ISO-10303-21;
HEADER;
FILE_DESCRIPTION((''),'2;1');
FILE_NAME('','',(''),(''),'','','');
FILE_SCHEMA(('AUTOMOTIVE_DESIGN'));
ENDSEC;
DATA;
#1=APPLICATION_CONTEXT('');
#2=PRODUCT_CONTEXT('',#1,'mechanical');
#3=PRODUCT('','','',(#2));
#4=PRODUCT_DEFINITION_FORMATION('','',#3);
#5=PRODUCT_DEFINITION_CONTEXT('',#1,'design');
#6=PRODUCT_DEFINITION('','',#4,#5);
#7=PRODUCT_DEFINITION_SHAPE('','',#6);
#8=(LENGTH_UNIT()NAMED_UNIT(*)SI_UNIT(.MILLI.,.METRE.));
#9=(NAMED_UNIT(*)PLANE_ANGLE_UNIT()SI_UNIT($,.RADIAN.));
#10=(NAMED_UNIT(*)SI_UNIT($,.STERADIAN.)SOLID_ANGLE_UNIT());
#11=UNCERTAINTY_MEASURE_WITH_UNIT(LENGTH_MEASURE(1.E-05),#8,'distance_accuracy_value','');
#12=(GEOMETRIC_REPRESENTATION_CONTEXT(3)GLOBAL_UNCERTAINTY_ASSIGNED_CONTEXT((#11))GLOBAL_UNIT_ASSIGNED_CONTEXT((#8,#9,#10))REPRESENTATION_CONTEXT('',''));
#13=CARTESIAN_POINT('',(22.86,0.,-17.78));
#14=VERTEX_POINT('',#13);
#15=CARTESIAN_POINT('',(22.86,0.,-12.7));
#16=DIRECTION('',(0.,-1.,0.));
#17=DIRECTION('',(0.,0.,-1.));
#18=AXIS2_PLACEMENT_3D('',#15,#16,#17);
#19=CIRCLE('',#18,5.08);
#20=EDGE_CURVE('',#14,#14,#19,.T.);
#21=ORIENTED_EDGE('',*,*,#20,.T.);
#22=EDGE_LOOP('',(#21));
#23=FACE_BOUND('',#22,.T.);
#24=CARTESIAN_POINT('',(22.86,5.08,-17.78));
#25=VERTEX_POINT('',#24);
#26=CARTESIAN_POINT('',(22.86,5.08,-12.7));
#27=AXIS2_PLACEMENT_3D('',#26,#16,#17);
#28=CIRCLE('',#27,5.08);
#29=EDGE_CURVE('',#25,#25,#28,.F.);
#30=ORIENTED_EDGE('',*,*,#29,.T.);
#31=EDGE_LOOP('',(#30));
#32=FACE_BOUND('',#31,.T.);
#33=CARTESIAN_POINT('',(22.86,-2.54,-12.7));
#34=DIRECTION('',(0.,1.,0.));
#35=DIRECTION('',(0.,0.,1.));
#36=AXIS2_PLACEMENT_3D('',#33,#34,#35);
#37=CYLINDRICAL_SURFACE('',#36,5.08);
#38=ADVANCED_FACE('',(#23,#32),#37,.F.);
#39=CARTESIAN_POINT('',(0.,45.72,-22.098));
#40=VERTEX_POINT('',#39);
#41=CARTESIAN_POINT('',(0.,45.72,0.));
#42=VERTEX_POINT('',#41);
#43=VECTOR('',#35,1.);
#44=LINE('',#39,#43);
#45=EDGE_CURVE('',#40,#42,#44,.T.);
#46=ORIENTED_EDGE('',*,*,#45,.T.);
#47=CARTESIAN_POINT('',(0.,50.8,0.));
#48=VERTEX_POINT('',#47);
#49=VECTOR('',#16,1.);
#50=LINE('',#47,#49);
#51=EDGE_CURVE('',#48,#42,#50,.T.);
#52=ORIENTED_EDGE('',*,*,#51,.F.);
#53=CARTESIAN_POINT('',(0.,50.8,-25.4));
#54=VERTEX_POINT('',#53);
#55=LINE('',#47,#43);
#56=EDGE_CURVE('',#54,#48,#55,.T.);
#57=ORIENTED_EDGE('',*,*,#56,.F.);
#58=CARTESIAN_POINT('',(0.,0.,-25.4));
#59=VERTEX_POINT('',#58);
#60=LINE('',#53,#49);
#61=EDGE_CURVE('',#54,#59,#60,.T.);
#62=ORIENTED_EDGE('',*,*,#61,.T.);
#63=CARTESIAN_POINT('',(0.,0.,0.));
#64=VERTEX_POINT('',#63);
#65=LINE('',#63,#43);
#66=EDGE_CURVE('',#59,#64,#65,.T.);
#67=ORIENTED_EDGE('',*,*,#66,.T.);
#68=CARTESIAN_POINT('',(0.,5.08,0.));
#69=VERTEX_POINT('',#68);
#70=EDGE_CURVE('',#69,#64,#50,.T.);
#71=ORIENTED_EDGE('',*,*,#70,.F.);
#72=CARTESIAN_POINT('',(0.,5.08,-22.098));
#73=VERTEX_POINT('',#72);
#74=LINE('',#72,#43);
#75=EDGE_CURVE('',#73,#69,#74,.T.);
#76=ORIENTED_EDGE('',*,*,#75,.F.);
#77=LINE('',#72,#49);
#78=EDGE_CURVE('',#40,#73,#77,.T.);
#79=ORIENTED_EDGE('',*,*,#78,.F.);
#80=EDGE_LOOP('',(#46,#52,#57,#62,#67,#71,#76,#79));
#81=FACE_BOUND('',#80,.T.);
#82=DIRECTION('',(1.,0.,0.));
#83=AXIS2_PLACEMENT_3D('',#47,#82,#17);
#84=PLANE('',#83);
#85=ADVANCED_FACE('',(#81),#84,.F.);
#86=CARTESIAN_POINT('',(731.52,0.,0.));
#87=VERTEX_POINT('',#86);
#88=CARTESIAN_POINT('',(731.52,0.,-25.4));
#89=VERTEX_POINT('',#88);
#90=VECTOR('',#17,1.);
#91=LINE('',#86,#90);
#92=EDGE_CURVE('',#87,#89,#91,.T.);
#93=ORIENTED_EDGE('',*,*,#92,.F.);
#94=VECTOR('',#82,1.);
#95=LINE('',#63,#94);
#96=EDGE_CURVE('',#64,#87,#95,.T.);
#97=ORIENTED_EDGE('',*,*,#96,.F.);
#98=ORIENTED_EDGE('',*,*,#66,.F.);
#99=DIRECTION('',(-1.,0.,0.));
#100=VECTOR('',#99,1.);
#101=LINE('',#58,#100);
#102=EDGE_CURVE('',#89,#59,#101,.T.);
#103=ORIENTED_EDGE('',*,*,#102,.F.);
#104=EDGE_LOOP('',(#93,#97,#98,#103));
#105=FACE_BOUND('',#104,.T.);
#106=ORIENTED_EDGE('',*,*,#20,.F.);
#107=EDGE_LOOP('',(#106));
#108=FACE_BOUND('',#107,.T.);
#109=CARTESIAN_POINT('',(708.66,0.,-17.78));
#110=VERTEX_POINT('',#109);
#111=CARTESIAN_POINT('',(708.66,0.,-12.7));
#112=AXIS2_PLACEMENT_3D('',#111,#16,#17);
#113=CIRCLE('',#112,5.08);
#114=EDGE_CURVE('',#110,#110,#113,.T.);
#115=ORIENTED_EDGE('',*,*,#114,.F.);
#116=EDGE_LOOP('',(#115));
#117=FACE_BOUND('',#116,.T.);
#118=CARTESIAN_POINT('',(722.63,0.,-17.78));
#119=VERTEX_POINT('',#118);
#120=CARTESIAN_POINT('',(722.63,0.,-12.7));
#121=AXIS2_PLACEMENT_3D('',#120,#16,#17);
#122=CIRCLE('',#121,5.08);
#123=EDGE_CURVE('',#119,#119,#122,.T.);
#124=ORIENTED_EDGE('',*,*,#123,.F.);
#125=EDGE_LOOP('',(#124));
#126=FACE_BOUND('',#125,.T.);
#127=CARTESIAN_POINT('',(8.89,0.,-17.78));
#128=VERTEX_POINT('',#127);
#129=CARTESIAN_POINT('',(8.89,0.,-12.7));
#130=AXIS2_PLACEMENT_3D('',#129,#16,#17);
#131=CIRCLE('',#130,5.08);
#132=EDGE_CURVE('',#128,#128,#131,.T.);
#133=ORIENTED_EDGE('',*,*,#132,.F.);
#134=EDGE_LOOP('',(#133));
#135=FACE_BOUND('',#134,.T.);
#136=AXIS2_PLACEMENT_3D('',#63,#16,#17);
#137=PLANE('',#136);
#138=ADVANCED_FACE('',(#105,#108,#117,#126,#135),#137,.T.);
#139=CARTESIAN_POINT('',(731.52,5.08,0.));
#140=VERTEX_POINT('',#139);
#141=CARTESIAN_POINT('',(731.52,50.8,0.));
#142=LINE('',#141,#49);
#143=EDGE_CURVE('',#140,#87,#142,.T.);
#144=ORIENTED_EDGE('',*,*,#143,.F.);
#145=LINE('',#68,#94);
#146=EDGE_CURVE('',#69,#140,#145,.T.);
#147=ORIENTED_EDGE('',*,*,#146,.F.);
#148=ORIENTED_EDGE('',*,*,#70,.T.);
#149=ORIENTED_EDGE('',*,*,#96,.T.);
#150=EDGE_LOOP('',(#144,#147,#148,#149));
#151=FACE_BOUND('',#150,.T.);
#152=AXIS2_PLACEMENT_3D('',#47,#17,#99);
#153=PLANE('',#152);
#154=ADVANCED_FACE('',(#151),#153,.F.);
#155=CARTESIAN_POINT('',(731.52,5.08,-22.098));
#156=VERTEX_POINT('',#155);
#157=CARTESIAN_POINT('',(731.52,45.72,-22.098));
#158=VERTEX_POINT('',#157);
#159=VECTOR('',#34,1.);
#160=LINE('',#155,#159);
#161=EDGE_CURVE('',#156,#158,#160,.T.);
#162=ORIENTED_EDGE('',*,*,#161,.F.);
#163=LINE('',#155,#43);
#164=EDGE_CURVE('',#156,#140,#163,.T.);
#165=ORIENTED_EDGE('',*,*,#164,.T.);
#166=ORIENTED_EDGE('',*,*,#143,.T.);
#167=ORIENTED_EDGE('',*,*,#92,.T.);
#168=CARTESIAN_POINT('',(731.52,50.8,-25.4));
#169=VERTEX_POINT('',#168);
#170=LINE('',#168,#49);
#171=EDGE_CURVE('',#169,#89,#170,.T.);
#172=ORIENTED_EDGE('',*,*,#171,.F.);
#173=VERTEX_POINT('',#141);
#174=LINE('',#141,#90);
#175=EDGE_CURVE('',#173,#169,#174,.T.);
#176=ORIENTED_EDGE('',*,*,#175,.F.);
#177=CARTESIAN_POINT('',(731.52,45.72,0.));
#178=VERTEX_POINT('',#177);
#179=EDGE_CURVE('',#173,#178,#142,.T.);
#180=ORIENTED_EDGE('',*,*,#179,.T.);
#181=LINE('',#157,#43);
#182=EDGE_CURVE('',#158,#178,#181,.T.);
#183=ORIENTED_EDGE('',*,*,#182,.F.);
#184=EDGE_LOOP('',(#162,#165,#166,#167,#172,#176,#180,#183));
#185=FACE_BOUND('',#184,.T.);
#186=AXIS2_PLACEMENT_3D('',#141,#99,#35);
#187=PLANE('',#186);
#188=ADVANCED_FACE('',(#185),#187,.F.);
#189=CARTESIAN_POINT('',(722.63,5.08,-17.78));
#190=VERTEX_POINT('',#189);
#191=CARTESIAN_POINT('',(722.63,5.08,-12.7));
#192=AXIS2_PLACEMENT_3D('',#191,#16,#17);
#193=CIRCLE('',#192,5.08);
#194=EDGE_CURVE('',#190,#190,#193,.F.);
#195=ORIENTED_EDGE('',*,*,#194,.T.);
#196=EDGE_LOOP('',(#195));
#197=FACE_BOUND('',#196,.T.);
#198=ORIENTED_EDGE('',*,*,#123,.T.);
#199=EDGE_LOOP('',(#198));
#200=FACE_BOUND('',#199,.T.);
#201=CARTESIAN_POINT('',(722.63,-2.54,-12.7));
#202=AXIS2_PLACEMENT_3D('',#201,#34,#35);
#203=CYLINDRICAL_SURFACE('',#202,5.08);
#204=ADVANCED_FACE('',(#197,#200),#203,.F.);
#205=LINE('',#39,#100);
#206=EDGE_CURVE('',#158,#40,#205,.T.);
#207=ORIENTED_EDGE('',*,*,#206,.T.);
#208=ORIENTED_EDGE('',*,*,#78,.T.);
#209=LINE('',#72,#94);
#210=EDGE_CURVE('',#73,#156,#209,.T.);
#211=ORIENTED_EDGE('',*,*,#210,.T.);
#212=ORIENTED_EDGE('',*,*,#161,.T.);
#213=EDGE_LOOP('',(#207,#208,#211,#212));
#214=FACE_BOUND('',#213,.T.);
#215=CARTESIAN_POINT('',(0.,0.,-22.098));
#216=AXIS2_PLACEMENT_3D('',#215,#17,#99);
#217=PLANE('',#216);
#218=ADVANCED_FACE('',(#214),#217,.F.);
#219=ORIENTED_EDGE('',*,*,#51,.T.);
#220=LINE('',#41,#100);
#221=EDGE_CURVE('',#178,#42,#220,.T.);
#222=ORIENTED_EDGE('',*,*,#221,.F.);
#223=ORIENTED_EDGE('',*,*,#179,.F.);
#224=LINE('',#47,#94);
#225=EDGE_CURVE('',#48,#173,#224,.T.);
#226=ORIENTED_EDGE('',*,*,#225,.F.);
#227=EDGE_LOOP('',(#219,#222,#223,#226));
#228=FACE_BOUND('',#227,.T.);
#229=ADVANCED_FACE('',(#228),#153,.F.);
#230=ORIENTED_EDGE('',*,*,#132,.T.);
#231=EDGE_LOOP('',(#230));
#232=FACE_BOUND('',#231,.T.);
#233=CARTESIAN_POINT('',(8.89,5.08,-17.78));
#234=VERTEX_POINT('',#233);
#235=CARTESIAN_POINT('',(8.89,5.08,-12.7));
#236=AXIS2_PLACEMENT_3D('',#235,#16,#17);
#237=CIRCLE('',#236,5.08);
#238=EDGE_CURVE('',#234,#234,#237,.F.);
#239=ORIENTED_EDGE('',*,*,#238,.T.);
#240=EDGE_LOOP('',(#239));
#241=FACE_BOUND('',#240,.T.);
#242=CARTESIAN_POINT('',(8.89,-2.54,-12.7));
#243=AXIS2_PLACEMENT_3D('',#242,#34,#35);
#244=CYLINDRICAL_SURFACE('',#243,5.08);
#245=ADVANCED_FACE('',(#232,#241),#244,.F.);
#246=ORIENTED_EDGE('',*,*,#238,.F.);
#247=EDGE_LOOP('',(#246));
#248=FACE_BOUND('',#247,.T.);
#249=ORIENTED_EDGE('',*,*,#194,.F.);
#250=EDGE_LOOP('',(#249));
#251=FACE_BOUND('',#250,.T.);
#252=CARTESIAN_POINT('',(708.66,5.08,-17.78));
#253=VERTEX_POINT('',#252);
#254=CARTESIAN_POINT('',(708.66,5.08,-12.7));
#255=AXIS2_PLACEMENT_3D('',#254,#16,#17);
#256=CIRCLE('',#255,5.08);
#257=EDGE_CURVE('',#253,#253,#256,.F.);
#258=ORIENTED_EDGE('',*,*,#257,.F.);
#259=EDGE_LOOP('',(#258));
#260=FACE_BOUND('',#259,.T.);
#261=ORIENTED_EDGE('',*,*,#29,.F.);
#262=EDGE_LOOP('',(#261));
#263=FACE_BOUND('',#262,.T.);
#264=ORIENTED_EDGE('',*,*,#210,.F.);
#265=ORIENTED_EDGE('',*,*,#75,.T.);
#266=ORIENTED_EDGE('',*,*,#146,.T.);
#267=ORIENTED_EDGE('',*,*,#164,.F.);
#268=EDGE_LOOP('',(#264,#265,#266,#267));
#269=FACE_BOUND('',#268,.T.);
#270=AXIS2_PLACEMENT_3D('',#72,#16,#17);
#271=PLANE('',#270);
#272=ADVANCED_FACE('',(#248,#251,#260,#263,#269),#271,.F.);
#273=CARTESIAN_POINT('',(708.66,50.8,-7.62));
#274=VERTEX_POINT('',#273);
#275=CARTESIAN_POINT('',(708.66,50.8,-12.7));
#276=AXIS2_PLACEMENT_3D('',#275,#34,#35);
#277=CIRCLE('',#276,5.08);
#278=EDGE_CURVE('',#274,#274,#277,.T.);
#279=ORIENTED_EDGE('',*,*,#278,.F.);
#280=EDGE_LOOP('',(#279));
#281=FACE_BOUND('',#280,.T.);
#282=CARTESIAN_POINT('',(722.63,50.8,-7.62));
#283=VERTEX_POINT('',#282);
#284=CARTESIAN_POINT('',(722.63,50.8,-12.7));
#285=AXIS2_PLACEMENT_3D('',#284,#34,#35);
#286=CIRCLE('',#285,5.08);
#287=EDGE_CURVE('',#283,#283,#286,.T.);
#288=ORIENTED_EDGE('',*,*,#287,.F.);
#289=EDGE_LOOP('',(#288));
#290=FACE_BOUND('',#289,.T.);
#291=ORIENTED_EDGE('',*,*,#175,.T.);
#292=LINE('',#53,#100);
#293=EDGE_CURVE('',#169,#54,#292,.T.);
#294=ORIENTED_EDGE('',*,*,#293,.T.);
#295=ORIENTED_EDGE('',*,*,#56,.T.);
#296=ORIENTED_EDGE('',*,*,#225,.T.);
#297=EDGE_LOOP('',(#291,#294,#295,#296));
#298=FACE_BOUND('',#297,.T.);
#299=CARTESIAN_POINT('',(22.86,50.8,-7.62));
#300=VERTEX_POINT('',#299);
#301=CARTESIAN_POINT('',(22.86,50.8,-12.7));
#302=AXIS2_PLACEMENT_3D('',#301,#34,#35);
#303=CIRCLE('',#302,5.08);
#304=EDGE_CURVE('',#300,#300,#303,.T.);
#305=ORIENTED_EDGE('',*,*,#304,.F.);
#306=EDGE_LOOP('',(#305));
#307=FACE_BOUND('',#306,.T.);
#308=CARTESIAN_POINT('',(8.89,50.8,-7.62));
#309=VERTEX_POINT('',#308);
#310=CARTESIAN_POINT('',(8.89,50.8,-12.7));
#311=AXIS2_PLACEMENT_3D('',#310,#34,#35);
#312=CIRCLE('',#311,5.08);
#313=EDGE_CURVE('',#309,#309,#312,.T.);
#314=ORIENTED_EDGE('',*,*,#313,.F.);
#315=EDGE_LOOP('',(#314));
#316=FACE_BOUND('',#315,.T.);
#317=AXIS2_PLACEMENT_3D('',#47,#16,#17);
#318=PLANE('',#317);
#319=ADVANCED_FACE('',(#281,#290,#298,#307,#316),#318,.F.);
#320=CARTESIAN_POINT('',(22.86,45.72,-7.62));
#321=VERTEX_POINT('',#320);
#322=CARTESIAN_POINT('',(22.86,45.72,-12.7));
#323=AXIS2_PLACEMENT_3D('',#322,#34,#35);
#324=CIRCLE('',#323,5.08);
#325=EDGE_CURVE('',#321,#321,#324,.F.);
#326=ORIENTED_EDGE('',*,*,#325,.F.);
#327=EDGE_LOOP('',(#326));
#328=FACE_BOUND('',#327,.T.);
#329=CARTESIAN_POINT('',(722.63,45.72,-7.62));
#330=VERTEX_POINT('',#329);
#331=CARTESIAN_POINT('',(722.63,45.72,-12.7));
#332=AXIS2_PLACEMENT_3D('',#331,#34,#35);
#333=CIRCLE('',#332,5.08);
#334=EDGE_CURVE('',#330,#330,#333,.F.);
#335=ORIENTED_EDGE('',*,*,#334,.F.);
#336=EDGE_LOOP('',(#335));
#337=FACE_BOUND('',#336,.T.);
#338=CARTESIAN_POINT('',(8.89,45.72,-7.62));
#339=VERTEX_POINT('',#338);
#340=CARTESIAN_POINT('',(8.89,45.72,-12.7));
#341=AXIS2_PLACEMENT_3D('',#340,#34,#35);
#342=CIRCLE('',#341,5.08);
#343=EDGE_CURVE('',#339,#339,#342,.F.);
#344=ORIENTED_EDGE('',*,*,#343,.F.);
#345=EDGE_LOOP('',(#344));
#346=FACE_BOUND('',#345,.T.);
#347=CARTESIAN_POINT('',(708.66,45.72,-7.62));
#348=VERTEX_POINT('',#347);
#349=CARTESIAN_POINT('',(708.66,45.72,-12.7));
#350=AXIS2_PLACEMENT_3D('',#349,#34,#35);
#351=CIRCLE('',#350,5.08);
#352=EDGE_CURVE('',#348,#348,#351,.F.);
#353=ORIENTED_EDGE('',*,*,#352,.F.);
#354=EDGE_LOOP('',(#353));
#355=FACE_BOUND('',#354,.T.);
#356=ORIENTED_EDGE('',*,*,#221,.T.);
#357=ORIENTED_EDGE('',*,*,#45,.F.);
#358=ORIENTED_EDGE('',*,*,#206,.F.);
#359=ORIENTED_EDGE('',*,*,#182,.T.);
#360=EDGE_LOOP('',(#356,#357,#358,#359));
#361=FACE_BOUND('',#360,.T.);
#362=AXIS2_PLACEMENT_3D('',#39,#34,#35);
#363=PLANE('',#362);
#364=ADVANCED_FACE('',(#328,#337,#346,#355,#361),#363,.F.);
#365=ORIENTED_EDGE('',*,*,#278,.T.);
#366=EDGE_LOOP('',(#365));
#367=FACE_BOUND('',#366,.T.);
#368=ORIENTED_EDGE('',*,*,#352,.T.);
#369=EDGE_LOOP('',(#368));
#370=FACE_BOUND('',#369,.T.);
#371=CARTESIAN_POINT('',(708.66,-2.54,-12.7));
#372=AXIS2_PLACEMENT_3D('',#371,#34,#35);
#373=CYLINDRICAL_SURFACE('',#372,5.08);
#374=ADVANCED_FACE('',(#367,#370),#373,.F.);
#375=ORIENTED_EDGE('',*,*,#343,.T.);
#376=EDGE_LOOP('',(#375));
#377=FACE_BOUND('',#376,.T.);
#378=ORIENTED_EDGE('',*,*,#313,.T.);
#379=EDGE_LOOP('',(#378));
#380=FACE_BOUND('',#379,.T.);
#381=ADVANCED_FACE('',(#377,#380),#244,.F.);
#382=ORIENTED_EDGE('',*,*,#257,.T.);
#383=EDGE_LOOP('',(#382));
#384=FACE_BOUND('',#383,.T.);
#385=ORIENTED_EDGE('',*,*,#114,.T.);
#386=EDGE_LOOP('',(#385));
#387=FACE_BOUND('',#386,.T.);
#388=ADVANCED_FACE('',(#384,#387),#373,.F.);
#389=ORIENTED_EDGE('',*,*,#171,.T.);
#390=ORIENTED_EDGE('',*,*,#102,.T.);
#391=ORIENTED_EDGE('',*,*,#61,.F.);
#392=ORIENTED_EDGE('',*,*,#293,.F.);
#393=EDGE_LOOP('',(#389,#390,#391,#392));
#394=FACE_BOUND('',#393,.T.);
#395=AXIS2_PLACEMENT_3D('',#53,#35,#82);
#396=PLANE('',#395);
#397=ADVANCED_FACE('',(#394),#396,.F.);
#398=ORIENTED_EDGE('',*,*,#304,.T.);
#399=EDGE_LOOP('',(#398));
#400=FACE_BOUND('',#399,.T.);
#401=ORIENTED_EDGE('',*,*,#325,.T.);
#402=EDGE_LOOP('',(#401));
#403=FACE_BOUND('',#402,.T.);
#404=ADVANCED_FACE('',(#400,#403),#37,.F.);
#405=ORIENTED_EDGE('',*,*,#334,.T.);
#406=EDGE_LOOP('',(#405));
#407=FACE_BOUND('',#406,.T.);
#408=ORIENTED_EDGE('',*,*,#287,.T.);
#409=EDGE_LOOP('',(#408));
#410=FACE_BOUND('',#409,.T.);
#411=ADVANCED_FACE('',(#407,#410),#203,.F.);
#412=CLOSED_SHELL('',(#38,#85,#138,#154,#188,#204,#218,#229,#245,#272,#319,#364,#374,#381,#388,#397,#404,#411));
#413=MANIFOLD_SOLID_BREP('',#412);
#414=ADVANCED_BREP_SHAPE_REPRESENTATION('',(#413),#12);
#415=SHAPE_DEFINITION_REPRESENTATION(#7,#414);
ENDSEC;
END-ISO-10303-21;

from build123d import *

# Parameters (mm, degrees)
SKETCH1_W           = 731.52
SKETCH1_H           = 25.4
BOSS_EXTRUDE1_DEPTH = 50.8
SKETCH2_R           = 5.08
CUT_EXTRUDE1_DEPTH  = 53.34
SKETCH5_W           = 731.52
SKETCH5_H           = 40.64
CUT_EXTRUDE4_DEPTH  = 22.098


with BuildPart() as part:
    # Sketch1 → Boss-Extrude1 (new body)
    with BuildSketch(Plane(origin=(0, 0, 0), x_dir=(1, 0, 0), z_dir=(0, 1, 0))):
        with Locations((365.76, 12.7)):
            Rectangle(SKETCH1_W, SKETCH1_H)
    extrude(amount=BOSS_EXTRUDE1_DEPTH)

    # Sketch2 → Cut-Extrude1 (cut)
    with BuildSketch(Plane(origin=(0, 50.8, 0), x_dir=(1, 0, 0), z_dir=(0, 1, 0))):
        with Locations(Location((8.89, 12.7, 0), (0, 0, 270))):
            Circle(SKETCH2_R)
        with Locations(Location((22.86, 12.7, 0), (0, 0, 270))):
            Circle(SKETCH2_R)
        with Locations(Location((722.63, 12.7, 0), (0, 0, 270))):
            Circle(SKETCH2_R)
        with Locations(Location((708.66, 12.7, 0), (0, 0, 270))):
            Circle(SKETCH2_R)
    extrude(amount=-CUT_EXTRUDE1_DEPTH, mode=Mode.SUBTRACT)

    # Sketch5 → Cut-Extrude4 (cut)
    with BuildSketch(Plane.XY):
        with Locations((365.76, 25.4)):
            Rectangle(SKETCH5_W, SKETCH5_H)
    extrude(amount=-CUT_EXTRUDE4_DEPTH, mode=Mode.SUBTRACT)


solid = part.part
